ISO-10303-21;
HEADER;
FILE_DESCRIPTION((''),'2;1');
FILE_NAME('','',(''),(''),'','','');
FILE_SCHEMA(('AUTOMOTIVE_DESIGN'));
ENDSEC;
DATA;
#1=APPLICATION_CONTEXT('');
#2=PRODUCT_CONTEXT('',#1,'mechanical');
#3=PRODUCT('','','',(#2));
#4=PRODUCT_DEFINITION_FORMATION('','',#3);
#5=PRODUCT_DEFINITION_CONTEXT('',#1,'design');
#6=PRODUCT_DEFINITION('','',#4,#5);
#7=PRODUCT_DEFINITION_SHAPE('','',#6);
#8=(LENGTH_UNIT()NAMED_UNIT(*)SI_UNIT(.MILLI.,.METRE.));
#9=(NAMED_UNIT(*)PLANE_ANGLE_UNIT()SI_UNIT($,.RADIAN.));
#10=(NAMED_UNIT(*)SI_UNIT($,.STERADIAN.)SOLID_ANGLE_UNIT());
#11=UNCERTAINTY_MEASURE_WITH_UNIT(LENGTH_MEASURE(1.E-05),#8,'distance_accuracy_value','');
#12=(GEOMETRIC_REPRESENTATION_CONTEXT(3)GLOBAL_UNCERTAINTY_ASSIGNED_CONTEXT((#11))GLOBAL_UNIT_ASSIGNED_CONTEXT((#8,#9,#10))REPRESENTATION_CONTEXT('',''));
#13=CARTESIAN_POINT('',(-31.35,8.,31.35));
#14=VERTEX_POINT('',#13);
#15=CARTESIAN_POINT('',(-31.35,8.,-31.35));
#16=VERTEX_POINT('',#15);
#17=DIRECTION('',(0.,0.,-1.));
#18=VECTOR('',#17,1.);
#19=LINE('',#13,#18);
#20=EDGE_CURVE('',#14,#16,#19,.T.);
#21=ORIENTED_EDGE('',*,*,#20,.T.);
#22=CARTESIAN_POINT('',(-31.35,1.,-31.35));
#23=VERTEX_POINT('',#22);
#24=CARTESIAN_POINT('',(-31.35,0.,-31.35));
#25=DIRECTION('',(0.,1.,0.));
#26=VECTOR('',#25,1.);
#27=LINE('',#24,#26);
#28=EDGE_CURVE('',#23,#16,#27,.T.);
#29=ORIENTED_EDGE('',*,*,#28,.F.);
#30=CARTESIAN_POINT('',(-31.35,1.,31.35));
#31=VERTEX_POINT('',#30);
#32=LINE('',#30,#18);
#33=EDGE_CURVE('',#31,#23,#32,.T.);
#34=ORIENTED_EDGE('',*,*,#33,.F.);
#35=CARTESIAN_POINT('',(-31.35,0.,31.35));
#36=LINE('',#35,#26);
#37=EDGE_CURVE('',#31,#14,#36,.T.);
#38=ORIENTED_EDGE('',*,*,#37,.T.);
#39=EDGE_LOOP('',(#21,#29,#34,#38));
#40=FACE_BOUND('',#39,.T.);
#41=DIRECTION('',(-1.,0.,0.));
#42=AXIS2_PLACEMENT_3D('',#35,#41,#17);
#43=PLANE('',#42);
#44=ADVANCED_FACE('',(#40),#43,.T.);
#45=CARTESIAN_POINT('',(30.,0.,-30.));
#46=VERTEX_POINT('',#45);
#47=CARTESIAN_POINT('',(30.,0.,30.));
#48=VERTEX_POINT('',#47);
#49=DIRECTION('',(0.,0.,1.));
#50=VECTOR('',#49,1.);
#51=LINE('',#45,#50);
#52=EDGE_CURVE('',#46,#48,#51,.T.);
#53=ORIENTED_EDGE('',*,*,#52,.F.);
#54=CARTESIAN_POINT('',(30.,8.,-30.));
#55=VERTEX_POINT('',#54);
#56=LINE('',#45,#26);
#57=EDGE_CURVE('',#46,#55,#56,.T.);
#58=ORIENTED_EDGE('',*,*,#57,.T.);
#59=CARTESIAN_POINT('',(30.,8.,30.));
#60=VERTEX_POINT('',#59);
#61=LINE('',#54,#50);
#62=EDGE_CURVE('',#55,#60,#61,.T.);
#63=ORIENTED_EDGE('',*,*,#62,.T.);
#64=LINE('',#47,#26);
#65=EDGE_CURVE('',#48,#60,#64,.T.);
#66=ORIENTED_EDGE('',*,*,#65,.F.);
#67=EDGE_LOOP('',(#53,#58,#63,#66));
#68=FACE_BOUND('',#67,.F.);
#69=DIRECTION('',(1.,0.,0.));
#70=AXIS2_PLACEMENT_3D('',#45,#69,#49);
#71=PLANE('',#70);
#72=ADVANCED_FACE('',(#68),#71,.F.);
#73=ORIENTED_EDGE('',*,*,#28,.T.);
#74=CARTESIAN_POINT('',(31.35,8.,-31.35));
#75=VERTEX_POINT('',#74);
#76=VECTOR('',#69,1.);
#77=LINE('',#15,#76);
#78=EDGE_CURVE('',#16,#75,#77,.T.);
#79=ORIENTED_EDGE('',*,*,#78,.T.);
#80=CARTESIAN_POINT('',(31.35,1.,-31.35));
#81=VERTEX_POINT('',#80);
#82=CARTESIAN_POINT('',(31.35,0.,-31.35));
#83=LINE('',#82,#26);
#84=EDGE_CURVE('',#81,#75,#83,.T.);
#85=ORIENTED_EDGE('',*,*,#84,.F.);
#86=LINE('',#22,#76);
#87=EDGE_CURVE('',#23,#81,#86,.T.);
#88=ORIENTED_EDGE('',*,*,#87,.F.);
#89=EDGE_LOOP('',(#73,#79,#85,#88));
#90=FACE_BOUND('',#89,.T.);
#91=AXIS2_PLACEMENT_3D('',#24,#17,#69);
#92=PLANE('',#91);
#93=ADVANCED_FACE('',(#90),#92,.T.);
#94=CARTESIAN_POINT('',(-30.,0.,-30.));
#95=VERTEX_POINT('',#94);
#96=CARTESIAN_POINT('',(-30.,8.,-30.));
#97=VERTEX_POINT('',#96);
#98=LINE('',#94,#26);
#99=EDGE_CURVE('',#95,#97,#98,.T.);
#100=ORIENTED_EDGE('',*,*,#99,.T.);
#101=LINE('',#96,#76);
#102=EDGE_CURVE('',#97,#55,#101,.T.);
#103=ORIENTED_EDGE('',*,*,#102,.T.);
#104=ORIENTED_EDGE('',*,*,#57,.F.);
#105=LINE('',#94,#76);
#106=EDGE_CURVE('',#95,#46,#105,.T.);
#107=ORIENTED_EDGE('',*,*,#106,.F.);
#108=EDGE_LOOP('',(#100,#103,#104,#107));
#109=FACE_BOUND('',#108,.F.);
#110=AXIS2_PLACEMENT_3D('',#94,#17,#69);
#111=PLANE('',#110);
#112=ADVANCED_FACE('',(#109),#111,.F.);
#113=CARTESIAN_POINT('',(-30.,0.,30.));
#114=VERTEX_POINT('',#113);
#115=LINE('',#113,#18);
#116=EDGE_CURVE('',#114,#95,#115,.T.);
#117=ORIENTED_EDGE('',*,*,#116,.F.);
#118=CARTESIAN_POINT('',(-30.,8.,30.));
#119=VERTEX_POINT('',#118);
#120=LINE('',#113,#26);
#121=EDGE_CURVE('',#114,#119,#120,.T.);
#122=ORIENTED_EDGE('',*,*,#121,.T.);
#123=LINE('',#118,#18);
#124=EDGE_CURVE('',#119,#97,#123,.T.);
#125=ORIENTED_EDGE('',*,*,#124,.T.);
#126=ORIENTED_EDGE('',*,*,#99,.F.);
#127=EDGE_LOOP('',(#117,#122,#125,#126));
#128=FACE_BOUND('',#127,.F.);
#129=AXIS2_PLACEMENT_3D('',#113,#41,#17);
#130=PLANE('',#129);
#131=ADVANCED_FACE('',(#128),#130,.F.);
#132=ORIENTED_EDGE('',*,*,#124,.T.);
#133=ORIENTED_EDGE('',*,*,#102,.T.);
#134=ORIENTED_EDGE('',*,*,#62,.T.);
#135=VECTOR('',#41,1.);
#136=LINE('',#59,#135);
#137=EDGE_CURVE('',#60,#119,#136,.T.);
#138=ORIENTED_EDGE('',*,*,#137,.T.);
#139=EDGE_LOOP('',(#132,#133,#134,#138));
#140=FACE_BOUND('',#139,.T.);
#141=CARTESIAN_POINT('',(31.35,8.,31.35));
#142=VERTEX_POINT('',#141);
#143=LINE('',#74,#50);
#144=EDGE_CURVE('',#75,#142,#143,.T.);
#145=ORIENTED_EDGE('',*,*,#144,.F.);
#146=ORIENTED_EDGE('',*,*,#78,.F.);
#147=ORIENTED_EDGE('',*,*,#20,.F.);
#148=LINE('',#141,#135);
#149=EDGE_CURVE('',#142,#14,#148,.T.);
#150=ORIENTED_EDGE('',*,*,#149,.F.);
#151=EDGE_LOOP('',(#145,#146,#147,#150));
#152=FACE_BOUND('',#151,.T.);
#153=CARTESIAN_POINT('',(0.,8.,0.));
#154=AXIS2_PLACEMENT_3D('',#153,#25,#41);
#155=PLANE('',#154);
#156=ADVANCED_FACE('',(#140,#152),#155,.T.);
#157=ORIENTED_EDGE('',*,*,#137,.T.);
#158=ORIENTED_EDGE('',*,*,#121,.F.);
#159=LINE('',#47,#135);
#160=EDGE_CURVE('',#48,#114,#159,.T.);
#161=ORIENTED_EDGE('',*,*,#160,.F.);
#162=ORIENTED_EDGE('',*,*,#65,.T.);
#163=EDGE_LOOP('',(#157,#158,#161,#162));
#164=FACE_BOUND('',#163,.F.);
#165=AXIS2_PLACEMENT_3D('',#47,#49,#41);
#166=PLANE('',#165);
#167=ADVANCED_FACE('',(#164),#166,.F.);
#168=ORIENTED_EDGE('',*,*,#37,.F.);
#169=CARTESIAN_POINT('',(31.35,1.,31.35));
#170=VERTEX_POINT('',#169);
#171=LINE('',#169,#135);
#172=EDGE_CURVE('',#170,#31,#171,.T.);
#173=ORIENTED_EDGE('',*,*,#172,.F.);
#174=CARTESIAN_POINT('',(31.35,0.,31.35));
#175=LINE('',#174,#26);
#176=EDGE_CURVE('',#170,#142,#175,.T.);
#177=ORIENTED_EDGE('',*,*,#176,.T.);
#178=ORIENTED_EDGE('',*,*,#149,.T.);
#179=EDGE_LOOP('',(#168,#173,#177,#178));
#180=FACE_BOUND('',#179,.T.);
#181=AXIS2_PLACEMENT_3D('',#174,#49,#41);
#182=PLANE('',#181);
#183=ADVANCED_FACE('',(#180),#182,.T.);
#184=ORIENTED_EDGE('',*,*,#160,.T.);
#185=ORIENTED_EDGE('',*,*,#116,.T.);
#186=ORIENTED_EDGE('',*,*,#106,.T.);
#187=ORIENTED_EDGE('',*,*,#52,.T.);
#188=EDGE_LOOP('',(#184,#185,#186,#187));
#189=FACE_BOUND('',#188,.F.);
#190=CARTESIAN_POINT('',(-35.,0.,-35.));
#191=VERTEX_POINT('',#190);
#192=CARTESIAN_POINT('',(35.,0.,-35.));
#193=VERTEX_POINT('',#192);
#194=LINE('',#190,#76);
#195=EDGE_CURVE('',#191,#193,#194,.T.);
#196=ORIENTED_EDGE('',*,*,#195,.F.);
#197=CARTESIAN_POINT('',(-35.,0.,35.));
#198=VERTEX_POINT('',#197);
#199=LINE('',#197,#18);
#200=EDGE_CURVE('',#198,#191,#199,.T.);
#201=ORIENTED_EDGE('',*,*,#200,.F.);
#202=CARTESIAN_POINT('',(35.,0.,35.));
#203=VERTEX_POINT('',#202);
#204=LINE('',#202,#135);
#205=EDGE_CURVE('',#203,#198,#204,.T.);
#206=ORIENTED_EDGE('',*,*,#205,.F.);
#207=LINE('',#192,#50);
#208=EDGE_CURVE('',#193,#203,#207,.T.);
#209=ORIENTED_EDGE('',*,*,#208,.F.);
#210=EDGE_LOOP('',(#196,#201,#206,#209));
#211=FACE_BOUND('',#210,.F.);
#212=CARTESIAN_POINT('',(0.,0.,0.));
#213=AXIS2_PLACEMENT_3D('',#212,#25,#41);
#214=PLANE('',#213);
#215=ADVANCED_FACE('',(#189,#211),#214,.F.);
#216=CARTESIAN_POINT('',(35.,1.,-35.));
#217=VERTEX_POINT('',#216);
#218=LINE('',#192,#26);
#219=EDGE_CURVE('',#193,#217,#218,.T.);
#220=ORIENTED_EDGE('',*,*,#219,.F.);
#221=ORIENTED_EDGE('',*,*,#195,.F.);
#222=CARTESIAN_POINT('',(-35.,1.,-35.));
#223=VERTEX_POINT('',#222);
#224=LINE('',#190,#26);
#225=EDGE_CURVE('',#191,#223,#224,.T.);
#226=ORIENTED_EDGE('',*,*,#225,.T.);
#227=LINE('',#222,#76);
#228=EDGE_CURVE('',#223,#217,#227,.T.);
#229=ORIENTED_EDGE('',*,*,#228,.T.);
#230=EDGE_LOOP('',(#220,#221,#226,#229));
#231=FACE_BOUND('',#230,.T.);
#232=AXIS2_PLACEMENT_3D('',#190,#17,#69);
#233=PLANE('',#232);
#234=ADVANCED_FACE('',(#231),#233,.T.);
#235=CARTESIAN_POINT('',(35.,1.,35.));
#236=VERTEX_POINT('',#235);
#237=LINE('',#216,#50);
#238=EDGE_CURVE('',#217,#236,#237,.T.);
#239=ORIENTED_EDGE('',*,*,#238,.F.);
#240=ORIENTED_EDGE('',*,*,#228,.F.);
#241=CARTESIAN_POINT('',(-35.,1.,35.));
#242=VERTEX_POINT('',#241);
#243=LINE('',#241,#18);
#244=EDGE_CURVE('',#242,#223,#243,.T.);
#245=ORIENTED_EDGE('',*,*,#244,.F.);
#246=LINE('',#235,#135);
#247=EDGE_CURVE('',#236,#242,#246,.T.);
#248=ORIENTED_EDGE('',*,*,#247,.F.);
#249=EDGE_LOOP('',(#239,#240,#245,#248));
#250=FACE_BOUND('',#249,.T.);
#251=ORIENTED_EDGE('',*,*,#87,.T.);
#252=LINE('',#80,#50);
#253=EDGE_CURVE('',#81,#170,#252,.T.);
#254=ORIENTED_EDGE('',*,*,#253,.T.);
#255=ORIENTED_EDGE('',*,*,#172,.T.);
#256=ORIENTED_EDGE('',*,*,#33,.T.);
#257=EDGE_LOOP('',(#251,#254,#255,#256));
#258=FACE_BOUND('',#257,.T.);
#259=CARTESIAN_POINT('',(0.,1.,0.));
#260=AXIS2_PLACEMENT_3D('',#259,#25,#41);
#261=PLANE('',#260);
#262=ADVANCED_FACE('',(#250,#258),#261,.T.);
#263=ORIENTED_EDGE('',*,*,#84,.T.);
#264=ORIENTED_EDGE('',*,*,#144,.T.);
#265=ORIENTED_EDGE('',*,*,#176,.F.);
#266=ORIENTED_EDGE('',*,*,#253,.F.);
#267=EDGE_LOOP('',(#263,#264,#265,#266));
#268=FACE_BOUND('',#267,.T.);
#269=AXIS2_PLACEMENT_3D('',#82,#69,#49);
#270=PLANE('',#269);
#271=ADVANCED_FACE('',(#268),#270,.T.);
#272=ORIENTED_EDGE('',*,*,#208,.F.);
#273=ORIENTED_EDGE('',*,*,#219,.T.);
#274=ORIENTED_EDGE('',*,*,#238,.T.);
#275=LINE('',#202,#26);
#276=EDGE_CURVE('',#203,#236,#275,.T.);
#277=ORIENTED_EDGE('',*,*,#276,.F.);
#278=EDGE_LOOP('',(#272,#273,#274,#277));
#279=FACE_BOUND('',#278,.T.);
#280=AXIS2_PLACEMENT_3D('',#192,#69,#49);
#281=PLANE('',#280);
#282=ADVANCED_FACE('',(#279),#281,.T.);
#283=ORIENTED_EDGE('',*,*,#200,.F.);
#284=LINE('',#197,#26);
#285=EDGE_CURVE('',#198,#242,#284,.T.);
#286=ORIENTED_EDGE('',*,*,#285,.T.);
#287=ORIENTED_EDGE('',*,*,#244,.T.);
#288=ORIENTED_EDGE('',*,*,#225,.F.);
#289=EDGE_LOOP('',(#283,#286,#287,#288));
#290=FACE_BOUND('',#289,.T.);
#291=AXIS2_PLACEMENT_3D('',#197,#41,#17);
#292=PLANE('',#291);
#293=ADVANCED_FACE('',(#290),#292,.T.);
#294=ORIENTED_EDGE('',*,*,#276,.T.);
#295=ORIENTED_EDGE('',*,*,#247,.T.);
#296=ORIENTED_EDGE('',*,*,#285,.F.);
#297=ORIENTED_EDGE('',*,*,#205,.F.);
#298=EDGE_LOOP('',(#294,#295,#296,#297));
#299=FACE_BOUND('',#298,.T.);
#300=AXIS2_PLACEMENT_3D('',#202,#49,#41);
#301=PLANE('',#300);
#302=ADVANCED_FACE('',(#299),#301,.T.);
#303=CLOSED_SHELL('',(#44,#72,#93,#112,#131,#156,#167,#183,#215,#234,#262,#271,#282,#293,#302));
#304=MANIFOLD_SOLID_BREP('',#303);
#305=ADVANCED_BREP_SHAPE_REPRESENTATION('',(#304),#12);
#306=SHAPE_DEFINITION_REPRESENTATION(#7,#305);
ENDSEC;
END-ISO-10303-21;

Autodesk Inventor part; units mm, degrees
ref_plane "YZ Plane" through (0, 0, 0) normal (1, 0, 0) x (0, 1, 0)
ref_plane "XZ Plane" through (0, 0, 0) normal (0, 1, 0) x (-1, 0, 0)
ref_plane "XY Plane" through (0, 0, 0) normal (0, 0, 1) x (1, 0, 0)
sketch "Sketch1" plane through (0, 0, 0) normal (0, 1, 0) x (-1, 0, 0)
  line L0 (-30, 30) -> (30, 30)
  line L1 (30, 30) -> (30, -30)
  line L2 (30, -30) -> (-30, -30)
  line L3 (-30, -30) -> (-30, 30)
  line L4 (-31.35, 31.35) -> (31.35, 31.35)
  line L5 (31.35, 31.35) -> (31.35, -31.35)
  line L6 (31.35, -31.35) -> (-31.35, -31.35)
  line L7 (-31.35, -31.35) -> (-31.35, 31.35)
  line L8 (-35, 35) -> (35, 35)
  line L9 (35, 35) -> (35, -35)
  line L10 (35, -35) -> (-35, -35)
  line L11 (-35, -35) -> (-35, 35)
  point P0 (0, 0)
  point P1 (0, -30)
  point P2 (0, -31.35)
  point P3 (0, -35)
  point P4 (30, 0)
  point P5 (31.35, 0)
  point P6 (35, 0)
  dimension "d0" = 60
  dimension "d1" = 62.7
  dimension "d2" = 70
extrude "Extrusion1" add sketch "Sketch1" along normal blind 8 contours L4 L5 L6 L7
extrude "Extrusion2" add sketch "Sketch1" along normal blind 1 contours L8 L9 L10 L11
properties part number "VRSPAD-144 illumination base"
